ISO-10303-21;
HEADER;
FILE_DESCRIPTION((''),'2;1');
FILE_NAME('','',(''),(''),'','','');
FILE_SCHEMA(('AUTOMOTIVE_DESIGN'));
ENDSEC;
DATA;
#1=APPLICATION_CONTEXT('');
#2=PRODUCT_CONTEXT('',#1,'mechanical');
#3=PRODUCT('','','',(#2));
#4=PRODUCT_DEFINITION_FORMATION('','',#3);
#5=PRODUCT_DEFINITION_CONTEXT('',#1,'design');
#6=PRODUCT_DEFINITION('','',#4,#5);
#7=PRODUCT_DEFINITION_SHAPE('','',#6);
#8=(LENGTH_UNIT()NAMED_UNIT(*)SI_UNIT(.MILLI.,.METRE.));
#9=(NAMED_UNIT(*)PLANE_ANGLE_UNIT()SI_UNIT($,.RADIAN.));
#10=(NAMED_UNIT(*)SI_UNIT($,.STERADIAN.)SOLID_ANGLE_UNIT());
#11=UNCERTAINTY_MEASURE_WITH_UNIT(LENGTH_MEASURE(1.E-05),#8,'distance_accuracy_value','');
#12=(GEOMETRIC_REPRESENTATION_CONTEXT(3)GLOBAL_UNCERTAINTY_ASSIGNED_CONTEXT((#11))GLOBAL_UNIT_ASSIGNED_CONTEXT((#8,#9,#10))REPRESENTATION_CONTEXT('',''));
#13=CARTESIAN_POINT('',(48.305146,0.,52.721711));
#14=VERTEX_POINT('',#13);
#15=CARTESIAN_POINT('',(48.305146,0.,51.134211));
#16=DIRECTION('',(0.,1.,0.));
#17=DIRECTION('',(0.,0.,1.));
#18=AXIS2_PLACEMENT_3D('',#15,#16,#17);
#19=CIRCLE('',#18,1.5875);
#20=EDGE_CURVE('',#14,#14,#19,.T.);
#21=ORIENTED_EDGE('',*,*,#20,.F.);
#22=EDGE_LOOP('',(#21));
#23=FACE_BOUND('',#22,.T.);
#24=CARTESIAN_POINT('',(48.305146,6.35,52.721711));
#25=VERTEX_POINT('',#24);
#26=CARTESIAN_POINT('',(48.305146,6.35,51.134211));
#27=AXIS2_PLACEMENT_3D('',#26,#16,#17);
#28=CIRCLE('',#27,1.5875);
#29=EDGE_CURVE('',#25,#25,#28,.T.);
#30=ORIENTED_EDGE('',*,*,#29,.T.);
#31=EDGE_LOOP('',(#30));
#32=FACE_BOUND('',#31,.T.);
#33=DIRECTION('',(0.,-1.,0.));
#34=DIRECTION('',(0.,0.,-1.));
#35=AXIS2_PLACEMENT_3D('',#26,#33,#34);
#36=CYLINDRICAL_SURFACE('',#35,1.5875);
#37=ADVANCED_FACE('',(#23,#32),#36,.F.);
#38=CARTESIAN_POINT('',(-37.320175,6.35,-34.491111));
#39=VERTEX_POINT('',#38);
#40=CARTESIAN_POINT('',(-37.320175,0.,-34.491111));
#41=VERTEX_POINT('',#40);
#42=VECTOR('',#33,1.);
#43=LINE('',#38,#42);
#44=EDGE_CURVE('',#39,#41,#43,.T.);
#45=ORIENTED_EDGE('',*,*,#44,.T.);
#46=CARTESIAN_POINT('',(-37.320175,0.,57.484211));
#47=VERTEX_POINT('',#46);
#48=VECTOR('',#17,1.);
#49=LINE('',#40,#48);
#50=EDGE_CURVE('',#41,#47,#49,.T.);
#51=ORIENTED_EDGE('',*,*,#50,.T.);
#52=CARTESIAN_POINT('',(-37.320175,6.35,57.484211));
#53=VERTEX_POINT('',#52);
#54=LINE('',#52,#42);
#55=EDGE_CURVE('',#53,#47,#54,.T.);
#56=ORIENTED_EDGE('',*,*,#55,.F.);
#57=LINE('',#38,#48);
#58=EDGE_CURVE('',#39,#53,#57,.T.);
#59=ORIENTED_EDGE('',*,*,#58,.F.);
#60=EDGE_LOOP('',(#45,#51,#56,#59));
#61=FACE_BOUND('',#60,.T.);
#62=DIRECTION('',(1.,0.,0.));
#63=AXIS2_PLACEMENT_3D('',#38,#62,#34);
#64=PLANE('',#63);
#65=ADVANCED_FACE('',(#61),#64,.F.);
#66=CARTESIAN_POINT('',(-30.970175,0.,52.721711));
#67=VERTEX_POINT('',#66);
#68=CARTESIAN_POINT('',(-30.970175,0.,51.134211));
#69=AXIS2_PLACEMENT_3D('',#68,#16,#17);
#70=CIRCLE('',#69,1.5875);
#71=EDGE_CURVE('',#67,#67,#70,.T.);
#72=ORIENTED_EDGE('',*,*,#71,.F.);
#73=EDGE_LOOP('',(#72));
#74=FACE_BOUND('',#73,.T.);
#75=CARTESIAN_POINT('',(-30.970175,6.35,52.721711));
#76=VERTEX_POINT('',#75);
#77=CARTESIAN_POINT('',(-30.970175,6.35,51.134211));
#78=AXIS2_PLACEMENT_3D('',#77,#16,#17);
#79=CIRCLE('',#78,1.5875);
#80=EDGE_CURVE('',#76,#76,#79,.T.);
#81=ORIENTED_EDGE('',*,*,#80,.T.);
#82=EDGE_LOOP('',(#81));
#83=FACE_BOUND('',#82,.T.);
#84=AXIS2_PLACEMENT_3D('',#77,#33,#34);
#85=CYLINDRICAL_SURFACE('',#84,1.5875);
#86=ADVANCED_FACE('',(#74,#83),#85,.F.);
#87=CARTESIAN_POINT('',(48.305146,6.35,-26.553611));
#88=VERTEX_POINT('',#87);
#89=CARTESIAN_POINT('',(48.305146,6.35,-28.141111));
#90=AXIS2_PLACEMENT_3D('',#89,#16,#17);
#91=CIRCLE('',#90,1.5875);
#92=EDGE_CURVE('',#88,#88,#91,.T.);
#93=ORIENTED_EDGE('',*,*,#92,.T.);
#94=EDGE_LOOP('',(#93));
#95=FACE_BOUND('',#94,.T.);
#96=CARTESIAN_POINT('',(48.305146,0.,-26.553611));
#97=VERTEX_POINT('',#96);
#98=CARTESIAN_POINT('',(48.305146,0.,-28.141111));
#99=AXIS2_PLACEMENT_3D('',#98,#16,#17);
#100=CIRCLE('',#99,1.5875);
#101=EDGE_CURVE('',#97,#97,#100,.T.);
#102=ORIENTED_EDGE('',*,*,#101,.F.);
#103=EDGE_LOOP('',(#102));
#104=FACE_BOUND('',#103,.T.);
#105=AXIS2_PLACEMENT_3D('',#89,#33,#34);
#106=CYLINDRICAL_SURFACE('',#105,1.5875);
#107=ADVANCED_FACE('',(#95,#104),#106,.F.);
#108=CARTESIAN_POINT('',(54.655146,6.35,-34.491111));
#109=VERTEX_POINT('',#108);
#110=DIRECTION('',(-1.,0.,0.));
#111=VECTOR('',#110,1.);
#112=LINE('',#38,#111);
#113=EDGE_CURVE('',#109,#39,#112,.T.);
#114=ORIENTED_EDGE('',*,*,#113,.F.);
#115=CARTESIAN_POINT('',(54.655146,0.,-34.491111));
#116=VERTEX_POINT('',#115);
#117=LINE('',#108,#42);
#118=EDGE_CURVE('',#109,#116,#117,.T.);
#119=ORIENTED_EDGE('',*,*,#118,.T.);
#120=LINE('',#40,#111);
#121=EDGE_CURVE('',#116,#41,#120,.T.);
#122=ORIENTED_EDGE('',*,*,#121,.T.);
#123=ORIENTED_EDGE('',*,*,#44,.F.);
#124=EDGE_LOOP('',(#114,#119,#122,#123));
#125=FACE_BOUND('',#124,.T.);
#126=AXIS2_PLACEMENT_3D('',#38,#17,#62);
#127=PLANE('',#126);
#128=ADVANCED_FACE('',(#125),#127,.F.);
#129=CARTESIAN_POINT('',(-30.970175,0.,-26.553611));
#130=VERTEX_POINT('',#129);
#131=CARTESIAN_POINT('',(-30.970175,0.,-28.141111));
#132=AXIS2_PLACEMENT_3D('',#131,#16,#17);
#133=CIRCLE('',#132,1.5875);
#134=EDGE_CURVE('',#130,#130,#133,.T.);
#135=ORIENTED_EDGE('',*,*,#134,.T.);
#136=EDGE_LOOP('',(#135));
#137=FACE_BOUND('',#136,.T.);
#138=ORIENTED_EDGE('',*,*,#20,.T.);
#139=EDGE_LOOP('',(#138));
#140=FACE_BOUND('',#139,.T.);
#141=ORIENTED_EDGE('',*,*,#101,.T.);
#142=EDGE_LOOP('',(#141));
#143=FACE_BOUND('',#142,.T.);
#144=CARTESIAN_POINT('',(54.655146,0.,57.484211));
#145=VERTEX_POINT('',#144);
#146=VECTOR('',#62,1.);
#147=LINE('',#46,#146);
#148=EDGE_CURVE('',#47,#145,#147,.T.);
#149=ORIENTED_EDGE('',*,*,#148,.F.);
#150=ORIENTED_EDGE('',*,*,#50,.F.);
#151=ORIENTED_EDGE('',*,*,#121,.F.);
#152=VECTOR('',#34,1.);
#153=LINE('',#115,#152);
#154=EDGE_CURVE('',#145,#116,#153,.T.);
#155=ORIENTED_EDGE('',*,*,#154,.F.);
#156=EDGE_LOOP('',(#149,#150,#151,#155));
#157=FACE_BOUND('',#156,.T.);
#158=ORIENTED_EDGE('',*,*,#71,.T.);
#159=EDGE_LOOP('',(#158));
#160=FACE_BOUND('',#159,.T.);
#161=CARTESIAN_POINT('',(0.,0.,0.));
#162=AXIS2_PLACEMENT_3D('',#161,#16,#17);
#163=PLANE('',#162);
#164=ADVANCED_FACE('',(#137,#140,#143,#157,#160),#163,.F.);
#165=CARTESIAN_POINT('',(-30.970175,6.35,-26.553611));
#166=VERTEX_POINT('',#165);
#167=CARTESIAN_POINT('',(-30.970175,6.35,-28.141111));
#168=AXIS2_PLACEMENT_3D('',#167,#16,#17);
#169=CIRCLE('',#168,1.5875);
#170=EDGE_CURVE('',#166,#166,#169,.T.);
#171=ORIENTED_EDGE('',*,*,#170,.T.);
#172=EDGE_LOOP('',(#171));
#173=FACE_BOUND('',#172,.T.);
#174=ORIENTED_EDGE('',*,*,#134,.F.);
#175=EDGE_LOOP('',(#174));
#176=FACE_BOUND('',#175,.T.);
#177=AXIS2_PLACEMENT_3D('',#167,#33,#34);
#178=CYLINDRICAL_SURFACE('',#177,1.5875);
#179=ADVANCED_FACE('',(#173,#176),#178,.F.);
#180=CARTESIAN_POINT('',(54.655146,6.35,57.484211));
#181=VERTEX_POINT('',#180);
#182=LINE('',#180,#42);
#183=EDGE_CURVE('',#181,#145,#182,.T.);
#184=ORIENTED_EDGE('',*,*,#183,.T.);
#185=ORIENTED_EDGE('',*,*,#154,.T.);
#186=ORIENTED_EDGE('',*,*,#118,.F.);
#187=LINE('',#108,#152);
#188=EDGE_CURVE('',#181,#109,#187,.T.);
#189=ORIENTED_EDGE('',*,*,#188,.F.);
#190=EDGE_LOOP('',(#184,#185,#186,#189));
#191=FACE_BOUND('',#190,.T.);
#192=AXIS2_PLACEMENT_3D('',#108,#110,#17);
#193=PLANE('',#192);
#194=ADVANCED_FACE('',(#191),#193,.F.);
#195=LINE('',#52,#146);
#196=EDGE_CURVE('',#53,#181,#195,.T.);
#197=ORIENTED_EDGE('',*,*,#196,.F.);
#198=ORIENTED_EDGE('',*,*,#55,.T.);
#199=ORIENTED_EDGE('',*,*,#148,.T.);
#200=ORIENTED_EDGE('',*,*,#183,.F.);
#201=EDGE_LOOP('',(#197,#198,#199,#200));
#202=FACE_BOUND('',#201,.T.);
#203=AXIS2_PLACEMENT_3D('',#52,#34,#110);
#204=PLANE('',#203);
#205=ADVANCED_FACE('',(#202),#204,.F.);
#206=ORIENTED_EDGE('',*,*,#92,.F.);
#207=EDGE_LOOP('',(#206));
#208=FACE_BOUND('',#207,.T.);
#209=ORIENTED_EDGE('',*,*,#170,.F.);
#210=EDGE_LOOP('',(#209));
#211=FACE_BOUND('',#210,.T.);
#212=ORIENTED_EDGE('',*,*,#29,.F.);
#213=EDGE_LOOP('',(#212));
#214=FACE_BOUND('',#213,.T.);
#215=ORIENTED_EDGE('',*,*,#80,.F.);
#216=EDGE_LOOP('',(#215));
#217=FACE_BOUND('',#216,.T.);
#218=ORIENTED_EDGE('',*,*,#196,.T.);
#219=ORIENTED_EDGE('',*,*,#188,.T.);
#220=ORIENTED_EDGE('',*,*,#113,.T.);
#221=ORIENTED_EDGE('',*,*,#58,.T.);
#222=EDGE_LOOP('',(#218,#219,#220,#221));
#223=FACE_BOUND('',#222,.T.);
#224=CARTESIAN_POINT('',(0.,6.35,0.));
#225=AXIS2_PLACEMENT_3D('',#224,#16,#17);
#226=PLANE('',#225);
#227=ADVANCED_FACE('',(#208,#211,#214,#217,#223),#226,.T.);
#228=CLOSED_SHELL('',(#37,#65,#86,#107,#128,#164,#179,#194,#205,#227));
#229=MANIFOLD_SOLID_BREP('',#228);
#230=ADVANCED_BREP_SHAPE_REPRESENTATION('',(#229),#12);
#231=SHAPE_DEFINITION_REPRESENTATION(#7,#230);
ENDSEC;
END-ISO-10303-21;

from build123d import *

# Parameters (mm, degrees)
SKETCH1_W           = 91.975321777
SKETCH1_H           = 91.975321776
SKETCH1_R           = 1.5875
BOSS_EXTRUDE1_DEPTH = 6.35


with BuildPart() as part:
    # Sketch1 → Boss-Extrude1 (new body)
    with BuildSketch(Plane(origin=(0, 0, 0), x_dir=(1, 0, 0), z_dir=(0, 1, 0))):
        with Locations((8.667485449, -11.496549638)):
            Rectangle(SKETCH1_W, SKETCH1_H)
        with Locations((-30.970175439, 28.14111125)):
            Circle(SKETCH1_R, mode=Mode.SUBTRACT)
        with Locations((48.305146338, 28.14111125)):
            Circle(SKETCH1_R, mode=Mode.SUBTRACT)
        with Locations((-30.970175439, -51.134210526)):
            Circle(SKETCH1_R, mode=Mode.SUBTRACT)
        with Locations((48.305146338, -51.134210526)):
            Circle(SKETCH1_R, mode=Mode.SUBTRACT)
    extrude(amount=BOSS_EXTRUDE1_DEPTH)


solid = part.part
